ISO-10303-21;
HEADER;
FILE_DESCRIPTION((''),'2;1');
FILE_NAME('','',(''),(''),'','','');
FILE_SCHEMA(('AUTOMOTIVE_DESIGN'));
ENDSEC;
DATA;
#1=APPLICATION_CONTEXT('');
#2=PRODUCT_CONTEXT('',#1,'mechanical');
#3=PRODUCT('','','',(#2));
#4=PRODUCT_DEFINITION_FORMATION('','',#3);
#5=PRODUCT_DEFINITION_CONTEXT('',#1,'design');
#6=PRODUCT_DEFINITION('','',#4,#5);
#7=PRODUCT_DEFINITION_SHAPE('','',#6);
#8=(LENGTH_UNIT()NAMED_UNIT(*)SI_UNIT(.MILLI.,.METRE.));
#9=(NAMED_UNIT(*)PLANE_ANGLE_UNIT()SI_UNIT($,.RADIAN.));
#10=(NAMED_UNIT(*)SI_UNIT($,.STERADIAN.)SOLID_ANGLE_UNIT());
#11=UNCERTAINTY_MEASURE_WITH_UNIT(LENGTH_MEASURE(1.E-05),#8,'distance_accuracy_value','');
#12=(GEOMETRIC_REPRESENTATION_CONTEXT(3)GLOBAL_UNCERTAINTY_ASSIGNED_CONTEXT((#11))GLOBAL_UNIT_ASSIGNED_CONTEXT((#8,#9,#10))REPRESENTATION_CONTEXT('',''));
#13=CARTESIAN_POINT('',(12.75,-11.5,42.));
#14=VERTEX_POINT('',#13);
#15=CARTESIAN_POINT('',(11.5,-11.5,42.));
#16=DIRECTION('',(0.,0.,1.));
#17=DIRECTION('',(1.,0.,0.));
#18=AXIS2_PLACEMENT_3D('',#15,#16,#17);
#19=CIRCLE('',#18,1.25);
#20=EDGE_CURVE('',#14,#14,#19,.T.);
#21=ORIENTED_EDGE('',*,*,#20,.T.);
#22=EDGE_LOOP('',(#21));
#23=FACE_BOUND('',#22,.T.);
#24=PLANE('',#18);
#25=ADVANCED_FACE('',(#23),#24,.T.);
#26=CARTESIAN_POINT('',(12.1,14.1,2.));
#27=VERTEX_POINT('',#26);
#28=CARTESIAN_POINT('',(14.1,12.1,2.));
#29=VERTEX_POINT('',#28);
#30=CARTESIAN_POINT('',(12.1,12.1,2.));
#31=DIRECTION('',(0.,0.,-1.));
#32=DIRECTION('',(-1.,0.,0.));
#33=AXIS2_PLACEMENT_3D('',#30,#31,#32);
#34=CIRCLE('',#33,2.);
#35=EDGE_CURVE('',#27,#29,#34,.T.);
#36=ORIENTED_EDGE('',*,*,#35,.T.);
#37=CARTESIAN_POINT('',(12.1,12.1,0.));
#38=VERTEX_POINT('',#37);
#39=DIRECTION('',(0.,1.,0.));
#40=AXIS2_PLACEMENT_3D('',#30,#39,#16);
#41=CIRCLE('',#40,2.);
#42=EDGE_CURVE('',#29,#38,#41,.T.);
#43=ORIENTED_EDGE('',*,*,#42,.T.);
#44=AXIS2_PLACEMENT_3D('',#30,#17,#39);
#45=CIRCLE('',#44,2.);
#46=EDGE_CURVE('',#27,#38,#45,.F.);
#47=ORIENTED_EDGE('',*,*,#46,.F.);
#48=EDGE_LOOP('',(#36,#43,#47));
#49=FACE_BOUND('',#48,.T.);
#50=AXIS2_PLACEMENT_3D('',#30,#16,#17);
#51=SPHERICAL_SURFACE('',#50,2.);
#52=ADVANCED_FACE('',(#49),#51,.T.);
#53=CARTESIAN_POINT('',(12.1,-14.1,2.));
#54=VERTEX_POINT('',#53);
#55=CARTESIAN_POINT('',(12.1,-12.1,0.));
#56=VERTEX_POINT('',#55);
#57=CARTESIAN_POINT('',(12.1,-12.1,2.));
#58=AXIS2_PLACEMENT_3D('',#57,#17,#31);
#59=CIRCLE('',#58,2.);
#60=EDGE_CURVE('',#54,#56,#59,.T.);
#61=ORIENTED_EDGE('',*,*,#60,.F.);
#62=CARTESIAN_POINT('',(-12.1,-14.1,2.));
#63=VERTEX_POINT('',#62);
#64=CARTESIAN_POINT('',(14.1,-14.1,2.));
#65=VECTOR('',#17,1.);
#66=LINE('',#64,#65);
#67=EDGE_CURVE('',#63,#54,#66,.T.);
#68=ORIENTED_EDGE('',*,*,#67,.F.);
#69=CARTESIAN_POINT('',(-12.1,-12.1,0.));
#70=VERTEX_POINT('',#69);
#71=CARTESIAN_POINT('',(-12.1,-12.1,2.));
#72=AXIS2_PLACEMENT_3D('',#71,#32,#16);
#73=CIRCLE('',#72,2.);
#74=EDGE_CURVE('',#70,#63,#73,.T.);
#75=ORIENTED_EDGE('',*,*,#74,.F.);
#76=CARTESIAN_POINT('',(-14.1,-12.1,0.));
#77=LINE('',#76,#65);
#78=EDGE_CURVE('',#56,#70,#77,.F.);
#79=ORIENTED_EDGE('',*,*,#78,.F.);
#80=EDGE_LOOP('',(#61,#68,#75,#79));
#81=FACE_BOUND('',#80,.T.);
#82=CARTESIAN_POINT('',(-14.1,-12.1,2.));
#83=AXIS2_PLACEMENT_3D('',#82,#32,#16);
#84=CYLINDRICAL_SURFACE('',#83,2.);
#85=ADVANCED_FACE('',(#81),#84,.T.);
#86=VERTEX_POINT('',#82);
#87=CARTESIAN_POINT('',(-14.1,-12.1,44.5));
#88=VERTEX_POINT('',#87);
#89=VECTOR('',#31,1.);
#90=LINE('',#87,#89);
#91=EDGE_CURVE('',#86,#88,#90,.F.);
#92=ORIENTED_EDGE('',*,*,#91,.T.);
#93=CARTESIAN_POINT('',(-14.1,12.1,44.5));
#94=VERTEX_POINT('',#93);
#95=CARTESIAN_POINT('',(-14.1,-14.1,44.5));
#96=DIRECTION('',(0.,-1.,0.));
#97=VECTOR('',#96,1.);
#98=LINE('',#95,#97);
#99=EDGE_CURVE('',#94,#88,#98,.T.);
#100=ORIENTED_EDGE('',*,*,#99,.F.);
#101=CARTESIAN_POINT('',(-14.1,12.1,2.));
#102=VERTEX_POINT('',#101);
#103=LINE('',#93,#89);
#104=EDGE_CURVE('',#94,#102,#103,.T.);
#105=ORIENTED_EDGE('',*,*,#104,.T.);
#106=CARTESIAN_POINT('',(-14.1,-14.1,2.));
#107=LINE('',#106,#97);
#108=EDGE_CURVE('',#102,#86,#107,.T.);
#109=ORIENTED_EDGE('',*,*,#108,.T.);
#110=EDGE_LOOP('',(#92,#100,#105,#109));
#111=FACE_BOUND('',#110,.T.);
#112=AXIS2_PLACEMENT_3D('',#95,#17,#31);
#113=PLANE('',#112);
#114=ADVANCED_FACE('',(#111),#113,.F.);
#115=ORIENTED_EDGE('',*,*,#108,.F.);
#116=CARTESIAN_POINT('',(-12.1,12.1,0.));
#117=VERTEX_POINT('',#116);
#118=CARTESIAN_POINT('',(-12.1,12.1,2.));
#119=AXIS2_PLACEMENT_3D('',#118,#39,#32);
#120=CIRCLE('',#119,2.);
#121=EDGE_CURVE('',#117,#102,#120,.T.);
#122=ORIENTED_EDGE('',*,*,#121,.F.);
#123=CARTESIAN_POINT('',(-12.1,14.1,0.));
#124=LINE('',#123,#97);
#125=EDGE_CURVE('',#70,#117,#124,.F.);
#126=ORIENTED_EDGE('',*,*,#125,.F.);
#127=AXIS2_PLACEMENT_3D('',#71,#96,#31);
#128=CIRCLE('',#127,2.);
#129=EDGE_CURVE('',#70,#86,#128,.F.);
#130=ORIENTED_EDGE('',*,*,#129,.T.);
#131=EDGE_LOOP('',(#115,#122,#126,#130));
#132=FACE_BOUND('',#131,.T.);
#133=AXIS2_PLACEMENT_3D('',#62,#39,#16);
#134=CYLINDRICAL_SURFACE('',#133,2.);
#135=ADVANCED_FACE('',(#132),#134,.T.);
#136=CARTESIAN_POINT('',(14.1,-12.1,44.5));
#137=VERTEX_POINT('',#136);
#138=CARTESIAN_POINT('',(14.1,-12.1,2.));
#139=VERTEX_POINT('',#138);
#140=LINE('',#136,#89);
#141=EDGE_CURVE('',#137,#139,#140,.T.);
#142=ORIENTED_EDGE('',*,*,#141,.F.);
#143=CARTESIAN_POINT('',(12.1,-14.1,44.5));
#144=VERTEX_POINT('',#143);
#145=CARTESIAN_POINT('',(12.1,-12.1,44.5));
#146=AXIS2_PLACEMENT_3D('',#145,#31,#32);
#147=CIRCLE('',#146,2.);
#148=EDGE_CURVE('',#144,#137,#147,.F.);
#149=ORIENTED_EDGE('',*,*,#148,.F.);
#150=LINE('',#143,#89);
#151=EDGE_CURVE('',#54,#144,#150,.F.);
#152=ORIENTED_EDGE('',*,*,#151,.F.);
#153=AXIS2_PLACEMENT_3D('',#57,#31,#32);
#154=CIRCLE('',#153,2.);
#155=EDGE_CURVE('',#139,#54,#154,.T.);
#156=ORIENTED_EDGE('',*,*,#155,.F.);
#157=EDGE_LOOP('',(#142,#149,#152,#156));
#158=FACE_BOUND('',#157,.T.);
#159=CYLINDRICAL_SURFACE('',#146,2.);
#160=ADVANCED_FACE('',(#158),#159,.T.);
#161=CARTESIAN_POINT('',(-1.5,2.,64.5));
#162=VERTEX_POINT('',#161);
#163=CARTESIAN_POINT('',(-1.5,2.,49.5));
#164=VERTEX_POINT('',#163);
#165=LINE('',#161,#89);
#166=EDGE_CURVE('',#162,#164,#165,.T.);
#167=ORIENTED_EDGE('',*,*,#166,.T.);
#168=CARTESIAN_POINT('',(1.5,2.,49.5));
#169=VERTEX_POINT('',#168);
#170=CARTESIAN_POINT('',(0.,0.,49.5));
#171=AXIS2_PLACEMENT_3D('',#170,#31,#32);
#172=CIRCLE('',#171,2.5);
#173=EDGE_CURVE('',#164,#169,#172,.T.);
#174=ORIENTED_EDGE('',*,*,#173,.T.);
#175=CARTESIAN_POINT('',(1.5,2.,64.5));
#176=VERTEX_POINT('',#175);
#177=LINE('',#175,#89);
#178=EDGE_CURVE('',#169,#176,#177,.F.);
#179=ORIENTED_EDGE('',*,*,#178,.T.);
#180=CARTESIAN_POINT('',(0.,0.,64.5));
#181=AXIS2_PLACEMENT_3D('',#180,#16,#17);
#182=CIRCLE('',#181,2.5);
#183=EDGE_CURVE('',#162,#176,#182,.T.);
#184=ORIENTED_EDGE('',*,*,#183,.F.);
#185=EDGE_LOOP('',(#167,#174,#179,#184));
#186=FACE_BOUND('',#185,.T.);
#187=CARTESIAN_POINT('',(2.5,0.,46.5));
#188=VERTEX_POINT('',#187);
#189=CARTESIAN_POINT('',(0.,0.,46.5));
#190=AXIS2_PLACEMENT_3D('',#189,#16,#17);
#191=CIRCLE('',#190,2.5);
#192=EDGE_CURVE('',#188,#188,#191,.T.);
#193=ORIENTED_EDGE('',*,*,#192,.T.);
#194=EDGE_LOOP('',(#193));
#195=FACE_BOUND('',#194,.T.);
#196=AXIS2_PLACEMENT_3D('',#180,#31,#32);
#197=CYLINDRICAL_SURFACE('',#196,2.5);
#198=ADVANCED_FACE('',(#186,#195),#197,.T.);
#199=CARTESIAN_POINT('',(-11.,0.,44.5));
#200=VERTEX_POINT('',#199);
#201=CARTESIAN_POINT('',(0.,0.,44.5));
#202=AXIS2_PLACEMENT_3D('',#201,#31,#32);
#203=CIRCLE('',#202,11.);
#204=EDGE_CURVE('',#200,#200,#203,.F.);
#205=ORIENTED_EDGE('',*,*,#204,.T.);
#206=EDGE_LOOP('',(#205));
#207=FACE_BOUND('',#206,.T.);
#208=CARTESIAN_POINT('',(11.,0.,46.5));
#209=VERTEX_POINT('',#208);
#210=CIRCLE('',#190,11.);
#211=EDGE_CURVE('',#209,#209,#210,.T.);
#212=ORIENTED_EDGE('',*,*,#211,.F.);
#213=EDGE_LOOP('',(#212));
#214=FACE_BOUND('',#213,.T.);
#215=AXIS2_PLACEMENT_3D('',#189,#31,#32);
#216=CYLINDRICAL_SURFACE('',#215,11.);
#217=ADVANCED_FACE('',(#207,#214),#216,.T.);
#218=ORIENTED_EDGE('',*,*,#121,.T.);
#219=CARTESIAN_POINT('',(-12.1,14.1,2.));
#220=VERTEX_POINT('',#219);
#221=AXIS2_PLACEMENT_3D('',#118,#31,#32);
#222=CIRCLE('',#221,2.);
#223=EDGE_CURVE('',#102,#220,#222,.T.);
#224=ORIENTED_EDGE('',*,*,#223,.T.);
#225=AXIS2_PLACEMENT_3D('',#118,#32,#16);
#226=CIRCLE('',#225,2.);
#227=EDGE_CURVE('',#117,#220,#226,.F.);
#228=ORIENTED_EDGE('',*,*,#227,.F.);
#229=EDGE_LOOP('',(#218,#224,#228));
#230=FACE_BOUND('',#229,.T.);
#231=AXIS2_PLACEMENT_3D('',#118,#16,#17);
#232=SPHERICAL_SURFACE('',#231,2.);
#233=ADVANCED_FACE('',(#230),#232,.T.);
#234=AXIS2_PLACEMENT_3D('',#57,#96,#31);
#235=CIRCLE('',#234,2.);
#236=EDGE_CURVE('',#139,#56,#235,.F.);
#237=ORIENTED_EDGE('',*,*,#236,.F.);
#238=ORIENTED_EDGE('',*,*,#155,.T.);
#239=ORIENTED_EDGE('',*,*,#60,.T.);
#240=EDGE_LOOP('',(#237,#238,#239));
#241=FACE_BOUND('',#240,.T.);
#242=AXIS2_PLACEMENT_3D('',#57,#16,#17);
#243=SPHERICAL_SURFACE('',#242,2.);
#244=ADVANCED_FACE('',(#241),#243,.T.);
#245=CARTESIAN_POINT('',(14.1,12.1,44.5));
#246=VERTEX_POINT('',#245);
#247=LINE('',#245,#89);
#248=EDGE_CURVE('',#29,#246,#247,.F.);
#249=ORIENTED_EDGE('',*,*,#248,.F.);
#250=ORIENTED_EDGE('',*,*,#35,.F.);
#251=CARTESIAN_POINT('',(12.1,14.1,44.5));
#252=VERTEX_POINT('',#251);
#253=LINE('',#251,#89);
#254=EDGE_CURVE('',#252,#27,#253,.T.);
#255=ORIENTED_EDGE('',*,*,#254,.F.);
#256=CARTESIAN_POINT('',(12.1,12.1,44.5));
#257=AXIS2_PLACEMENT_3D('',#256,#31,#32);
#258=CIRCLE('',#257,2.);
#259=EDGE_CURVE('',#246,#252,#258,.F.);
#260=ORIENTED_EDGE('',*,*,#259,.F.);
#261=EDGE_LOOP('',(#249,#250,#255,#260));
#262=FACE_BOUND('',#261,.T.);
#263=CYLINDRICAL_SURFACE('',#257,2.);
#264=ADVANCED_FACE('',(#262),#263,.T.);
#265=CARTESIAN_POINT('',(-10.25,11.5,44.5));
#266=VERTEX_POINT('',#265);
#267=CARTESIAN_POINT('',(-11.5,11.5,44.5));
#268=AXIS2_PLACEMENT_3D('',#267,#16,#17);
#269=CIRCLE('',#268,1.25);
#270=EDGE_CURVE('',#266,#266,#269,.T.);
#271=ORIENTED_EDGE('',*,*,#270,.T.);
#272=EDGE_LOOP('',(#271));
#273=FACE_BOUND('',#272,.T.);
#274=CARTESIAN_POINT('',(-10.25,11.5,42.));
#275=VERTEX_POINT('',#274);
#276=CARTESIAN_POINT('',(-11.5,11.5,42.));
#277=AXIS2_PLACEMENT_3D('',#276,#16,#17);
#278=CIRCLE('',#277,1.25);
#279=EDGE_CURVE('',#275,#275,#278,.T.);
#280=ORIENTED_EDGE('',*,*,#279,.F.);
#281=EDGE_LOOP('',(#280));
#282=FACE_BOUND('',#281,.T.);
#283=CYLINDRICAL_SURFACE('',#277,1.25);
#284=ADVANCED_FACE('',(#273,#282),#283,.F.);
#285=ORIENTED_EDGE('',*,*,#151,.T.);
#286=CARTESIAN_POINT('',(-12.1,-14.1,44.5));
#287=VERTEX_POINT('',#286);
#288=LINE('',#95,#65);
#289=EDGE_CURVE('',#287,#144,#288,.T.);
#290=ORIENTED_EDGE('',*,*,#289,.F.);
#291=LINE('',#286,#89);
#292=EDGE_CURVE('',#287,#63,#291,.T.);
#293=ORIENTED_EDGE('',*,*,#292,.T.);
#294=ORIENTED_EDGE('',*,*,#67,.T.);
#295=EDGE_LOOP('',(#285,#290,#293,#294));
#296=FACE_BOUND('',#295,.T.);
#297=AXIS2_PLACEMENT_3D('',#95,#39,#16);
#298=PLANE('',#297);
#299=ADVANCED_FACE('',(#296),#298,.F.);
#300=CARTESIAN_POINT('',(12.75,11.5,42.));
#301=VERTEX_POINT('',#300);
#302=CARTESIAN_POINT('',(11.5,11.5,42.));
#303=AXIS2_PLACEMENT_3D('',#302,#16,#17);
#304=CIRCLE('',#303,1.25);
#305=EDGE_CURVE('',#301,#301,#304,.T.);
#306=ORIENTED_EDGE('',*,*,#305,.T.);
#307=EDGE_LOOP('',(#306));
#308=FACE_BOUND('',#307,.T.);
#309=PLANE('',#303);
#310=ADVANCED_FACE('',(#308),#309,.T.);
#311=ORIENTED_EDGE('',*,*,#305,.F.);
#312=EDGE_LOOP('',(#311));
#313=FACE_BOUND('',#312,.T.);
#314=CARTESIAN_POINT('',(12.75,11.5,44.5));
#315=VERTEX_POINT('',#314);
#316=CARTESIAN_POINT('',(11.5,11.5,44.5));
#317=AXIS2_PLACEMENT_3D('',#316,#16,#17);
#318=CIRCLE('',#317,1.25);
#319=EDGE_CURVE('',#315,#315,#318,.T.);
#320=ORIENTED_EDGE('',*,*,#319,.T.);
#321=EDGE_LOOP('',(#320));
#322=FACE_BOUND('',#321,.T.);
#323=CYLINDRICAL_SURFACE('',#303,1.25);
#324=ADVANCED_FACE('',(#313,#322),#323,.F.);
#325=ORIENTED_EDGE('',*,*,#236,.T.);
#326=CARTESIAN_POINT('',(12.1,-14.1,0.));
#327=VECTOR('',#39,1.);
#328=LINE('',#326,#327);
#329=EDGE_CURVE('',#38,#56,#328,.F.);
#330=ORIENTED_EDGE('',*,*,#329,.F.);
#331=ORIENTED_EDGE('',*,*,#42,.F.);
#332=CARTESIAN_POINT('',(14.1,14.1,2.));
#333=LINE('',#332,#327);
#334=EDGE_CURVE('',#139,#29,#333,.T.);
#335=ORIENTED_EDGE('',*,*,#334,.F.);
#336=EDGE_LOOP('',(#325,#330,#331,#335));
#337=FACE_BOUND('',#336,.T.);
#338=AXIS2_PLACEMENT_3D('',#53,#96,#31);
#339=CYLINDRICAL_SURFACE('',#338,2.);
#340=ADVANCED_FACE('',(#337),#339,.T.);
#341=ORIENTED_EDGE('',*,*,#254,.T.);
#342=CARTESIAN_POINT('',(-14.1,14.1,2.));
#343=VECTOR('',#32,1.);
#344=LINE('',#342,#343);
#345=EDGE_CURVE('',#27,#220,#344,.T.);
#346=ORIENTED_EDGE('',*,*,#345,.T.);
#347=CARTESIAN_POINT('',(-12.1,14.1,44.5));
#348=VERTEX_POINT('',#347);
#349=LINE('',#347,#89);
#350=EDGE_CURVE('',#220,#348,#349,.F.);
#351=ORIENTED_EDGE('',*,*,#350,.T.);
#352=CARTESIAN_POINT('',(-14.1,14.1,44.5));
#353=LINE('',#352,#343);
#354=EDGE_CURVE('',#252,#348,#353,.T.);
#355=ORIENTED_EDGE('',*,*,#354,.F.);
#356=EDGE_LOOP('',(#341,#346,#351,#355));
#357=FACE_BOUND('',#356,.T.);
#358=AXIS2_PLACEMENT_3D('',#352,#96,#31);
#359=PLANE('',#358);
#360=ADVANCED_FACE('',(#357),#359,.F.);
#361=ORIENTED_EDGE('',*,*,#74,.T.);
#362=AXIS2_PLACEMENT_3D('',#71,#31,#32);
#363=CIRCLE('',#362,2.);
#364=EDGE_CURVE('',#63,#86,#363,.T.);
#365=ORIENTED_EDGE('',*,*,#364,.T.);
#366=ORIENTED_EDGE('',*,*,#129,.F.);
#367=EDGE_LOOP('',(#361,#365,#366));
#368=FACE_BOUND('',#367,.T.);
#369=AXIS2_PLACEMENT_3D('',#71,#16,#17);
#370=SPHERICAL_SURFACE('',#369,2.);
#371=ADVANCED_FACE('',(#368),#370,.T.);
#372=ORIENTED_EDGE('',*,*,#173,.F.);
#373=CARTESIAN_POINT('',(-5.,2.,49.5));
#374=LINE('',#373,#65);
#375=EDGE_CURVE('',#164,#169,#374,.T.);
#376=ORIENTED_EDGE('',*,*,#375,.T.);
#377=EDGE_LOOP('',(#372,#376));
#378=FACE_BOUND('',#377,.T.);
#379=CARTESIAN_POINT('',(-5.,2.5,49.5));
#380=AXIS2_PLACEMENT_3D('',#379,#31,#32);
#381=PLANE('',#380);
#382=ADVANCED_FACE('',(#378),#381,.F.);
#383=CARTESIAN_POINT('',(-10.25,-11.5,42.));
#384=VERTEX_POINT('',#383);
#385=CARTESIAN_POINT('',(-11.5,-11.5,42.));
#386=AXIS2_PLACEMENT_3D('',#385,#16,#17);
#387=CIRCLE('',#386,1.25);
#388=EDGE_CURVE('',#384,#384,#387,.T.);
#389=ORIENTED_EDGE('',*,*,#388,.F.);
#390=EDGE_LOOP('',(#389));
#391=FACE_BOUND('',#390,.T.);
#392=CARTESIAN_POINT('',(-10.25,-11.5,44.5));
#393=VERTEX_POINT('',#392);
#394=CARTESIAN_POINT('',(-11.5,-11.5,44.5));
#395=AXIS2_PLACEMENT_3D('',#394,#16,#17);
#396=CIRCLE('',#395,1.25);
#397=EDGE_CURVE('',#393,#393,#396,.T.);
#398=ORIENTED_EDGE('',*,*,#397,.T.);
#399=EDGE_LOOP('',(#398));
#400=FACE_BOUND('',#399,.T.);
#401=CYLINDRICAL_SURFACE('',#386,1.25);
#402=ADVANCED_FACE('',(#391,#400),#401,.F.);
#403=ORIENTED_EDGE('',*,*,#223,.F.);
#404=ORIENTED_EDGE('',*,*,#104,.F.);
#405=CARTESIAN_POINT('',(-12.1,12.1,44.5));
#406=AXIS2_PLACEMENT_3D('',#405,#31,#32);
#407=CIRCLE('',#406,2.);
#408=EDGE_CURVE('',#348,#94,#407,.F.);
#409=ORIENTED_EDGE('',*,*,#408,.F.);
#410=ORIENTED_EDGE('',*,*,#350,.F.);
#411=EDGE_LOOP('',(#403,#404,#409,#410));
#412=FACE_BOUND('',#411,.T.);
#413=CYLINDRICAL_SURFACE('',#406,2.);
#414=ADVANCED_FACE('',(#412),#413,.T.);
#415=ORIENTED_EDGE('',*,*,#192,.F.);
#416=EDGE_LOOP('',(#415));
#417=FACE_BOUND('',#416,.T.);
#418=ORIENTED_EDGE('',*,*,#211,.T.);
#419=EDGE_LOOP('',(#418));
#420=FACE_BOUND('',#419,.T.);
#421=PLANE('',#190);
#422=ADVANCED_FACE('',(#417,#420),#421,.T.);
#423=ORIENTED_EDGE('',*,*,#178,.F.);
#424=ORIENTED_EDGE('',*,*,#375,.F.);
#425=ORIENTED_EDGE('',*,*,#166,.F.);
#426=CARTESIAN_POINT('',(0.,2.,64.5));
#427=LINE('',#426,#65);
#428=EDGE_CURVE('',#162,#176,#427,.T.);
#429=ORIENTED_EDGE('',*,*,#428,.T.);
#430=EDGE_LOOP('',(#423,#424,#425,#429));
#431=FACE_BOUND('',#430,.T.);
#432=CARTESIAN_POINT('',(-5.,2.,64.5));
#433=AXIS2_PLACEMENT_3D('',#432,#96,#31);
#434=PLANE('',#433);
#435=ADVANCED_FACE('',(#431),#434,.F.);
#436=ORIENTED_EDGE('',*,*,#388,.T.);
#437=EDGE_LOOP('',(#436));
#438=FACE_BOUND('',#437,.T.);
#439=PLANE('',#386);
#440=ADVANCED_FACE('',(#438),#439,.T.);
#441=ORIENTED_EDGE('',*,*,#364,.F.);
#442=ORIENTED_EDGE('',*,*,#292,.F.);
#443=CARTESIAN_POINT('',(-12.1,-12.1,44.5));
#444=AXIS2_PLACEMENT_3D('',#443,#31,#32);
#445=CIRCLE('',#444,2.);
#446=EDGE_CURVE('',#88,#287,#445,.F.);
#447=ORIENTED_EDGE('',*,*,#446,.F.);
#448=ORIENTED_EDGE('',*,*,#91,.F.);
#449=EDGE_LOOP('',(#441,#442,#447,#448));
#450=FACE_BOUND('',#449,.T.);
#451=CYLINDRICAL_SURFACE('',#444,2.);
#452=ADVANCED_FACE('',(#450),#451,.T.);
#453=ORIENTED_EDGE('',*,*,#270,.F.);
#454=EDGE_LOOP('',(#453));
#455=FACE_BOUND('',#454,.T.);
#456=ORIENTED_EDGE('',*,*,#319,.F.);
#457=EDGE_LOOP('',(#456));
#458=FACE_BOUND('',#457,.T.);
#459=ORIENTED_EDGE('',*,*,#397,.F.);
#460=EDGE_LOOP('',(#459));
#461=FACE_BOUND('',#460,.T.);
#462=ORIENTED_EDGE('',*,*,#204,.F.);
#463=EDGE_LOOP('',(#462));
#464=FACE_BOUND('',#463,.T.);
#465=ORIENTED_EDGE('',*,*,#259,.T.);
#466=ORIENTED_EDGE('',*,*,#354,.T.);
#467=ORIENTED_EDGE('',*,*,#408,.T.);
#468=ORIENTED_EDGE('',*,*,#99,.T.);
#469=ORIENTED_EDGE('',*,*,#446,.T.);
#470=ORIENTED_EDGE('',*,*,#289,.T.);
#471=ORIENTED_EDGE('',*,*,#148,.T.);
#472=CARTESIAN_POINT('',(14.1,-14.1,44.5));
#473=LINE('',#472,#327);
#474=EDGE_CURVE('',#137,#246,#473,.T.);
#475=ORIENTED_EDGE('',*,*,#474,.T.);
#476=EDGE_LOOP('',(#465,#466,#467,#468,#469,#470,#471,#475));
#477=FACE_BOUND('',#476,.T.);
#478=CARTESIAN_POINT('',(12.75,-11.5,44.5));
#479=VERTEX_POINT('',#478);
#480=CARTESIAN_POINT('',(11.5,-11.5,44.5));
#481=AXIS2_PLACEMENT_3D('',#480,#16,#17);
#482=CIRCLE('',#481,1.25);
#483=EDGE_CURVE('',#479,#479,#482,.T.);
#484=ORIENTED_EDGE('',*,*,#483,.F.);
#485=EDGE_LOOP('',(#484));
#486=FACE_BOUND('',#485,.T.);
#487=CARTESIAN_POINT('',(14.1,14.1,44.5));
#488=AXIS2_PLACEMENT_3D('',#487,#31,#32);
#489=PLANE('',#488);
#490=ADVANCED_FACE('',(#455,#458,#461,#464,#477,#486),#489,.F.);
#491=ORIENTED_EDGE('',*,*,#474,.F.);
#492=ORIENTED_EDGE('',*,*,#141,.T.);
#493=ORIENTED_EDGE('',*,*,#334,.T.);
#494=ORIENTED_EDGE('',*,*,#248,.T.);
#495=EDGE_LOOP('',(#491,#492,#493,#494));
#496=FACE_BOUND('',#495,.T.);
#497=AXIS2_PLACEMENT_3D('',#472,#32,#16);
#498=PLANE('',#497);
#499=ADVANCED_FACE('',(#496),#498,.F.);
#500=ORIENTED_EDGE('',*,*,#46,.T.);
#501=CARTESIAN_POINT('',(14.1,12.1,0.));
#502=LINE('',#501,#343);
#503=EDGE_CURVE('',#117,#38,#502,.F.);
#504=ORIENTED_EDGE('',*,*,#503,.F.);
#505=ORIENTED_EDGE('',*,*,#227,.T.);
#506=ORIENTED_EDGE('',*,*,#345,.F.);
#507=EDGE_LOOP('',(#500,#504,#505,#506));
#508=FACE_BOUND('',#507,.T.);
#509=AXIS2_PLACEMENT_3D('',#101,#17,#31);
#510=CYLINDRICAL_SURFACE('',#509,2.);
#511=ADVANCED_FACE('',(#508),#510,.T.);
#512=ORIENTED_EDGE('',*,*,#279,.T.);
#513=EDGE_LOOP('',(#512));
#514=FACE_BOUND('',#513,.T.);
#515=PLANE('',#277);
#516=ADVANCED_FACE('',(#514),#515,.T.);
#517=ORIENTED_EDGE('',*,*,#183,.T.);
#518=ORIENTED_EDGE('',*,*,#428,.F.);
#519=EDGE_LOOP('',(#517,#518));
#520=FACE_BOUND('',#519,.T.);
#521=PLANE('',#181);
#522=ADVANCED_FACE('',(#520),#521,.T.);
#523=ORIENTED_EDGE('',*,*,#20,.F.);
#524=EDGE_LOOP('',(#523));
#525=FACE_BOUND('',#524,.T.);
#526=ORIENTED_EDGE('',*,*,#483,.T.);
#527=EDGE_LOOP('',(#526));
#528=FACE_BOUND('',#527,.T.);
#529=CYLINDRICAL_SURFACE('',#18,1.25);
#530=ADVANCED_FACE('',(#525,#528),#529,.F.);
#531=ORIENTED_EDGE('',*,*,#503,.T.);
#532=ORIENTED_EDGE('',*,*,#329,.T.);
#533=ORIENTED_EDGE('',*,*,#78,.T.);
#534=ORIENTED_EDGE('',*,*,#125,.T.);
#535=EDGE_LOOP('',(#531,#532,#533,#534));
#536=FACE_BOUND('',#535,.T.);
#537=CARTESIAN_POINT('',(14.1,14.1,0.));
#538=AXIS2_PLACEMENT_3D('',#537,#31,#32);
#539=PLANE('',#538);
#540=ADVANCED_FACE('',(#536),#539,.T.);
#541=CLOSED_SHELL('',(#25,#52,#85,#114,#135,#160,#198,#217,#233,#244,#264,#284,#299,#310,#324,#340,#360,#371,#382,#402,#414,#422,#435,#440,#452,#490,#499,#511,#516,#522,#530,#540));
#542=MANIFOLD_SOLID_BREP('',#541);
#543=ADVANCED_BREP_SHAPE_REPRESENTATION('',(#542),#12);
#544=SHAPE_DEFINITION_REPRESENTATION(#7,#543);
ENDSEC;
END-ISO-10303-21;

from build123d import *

# Parameters (mm, degrees)
SKETCH1_W           = 28.2
SKETCH1_H           = 28.2
BOSS_EXTRUDE1_DEPTH = 44.5
SKETCH2_R           = 11
BOSS_EXTRUDE2_DEPTH = 2
SKETCH3_R           = 2.5
BOSS_EXTRUDE3_DEPTH = 18
SKETCH4_W           = 15
SKETCH4_H           = 0.5
CUT_EXTRUDE1_DEPTH  = 5
SKETCH5_R           = 1.25
CUT_EXTRUDE2_DEPTH  = 2.5
FILLET1_R           = 2


with BuildPart() as part:
    # Sketch1 → Boss-Extrude1 (new body)
    with BuildSketch(Plane.XY):
        Rectangle(SKETCH1_W, SKETCH1_H)
    extrude(amount=BOSS_EXTRUDE1_DEPTH)

    # Sketch2 → Boss-Extrude2 (add)
    with BuildSketch(Plane.XY.offset(44.5)):
        with Locations(Location((0, 0, 0), (0, 0, 180))):
            Circle(SKETCH2_R)
    extrude(amount=BOSS_EXTRUDE2_DEPTH)

    # Sketch3 → Boss-Extrude3 (add)
    with BuildSketch(Plane.XY.offset(46.5)):
        Circle(SKETCH3_R)
    extrude(amount=BOSS_EXTRUDE3_DEPTH)

    # Sketch4 → Cut-Extrude1 (cut, symmetric)
    with BuildSketch(Plane(origin=(0, 0, 0), x_dir=(0, 0, -1), z_dir=(1, 0, 0))):
        with Locations((-57, 2.25)):
            Rectangle(SKETCH4_W, SKETCH4_H)
    extrude(amount=CUT_EXTRUDE1_DEPTH, both=True, mode=Mode.SUBTRACT)

    # Sketch5 → Cut-Extrude2 (cut)
    with BuildSketch(Plane.XY.offset(44.5)):
        with Locations((-11.5, 11.5)):
            Circle(SKETCH5_R)
        with Locations((11.5, 11.5)):
            Circle(SKETCH5_R)
        with Locations((11.5, -11.5)):
            Circle(SKETCH5_R)
        with Locations((-11.5, -11.5)):
            Circle(SKETCH5_R)
    extrude(amount=-CUT_EXTRUDE2_DEPTH, mode=Mode.SUBTRACT)

    # Fillet1
    fillet1_edges = [part.edges().sort_by_distance(p)[0] for p in [
        (0, -14.1, 0),
        (-14.1, 0, 0),
        (0, 14.1, 0),
        (14.1, 0, 0),
        (14.1, -14.1, 22.25),
        (-14.1, -14.1, 22.25),
        (-14.1, 14.1, 22.25),
        (14.1, 14.1, 22.25),
    ]]
    fillet(fillet1_edges, radius=FILLET1_R)


solid = part.part
